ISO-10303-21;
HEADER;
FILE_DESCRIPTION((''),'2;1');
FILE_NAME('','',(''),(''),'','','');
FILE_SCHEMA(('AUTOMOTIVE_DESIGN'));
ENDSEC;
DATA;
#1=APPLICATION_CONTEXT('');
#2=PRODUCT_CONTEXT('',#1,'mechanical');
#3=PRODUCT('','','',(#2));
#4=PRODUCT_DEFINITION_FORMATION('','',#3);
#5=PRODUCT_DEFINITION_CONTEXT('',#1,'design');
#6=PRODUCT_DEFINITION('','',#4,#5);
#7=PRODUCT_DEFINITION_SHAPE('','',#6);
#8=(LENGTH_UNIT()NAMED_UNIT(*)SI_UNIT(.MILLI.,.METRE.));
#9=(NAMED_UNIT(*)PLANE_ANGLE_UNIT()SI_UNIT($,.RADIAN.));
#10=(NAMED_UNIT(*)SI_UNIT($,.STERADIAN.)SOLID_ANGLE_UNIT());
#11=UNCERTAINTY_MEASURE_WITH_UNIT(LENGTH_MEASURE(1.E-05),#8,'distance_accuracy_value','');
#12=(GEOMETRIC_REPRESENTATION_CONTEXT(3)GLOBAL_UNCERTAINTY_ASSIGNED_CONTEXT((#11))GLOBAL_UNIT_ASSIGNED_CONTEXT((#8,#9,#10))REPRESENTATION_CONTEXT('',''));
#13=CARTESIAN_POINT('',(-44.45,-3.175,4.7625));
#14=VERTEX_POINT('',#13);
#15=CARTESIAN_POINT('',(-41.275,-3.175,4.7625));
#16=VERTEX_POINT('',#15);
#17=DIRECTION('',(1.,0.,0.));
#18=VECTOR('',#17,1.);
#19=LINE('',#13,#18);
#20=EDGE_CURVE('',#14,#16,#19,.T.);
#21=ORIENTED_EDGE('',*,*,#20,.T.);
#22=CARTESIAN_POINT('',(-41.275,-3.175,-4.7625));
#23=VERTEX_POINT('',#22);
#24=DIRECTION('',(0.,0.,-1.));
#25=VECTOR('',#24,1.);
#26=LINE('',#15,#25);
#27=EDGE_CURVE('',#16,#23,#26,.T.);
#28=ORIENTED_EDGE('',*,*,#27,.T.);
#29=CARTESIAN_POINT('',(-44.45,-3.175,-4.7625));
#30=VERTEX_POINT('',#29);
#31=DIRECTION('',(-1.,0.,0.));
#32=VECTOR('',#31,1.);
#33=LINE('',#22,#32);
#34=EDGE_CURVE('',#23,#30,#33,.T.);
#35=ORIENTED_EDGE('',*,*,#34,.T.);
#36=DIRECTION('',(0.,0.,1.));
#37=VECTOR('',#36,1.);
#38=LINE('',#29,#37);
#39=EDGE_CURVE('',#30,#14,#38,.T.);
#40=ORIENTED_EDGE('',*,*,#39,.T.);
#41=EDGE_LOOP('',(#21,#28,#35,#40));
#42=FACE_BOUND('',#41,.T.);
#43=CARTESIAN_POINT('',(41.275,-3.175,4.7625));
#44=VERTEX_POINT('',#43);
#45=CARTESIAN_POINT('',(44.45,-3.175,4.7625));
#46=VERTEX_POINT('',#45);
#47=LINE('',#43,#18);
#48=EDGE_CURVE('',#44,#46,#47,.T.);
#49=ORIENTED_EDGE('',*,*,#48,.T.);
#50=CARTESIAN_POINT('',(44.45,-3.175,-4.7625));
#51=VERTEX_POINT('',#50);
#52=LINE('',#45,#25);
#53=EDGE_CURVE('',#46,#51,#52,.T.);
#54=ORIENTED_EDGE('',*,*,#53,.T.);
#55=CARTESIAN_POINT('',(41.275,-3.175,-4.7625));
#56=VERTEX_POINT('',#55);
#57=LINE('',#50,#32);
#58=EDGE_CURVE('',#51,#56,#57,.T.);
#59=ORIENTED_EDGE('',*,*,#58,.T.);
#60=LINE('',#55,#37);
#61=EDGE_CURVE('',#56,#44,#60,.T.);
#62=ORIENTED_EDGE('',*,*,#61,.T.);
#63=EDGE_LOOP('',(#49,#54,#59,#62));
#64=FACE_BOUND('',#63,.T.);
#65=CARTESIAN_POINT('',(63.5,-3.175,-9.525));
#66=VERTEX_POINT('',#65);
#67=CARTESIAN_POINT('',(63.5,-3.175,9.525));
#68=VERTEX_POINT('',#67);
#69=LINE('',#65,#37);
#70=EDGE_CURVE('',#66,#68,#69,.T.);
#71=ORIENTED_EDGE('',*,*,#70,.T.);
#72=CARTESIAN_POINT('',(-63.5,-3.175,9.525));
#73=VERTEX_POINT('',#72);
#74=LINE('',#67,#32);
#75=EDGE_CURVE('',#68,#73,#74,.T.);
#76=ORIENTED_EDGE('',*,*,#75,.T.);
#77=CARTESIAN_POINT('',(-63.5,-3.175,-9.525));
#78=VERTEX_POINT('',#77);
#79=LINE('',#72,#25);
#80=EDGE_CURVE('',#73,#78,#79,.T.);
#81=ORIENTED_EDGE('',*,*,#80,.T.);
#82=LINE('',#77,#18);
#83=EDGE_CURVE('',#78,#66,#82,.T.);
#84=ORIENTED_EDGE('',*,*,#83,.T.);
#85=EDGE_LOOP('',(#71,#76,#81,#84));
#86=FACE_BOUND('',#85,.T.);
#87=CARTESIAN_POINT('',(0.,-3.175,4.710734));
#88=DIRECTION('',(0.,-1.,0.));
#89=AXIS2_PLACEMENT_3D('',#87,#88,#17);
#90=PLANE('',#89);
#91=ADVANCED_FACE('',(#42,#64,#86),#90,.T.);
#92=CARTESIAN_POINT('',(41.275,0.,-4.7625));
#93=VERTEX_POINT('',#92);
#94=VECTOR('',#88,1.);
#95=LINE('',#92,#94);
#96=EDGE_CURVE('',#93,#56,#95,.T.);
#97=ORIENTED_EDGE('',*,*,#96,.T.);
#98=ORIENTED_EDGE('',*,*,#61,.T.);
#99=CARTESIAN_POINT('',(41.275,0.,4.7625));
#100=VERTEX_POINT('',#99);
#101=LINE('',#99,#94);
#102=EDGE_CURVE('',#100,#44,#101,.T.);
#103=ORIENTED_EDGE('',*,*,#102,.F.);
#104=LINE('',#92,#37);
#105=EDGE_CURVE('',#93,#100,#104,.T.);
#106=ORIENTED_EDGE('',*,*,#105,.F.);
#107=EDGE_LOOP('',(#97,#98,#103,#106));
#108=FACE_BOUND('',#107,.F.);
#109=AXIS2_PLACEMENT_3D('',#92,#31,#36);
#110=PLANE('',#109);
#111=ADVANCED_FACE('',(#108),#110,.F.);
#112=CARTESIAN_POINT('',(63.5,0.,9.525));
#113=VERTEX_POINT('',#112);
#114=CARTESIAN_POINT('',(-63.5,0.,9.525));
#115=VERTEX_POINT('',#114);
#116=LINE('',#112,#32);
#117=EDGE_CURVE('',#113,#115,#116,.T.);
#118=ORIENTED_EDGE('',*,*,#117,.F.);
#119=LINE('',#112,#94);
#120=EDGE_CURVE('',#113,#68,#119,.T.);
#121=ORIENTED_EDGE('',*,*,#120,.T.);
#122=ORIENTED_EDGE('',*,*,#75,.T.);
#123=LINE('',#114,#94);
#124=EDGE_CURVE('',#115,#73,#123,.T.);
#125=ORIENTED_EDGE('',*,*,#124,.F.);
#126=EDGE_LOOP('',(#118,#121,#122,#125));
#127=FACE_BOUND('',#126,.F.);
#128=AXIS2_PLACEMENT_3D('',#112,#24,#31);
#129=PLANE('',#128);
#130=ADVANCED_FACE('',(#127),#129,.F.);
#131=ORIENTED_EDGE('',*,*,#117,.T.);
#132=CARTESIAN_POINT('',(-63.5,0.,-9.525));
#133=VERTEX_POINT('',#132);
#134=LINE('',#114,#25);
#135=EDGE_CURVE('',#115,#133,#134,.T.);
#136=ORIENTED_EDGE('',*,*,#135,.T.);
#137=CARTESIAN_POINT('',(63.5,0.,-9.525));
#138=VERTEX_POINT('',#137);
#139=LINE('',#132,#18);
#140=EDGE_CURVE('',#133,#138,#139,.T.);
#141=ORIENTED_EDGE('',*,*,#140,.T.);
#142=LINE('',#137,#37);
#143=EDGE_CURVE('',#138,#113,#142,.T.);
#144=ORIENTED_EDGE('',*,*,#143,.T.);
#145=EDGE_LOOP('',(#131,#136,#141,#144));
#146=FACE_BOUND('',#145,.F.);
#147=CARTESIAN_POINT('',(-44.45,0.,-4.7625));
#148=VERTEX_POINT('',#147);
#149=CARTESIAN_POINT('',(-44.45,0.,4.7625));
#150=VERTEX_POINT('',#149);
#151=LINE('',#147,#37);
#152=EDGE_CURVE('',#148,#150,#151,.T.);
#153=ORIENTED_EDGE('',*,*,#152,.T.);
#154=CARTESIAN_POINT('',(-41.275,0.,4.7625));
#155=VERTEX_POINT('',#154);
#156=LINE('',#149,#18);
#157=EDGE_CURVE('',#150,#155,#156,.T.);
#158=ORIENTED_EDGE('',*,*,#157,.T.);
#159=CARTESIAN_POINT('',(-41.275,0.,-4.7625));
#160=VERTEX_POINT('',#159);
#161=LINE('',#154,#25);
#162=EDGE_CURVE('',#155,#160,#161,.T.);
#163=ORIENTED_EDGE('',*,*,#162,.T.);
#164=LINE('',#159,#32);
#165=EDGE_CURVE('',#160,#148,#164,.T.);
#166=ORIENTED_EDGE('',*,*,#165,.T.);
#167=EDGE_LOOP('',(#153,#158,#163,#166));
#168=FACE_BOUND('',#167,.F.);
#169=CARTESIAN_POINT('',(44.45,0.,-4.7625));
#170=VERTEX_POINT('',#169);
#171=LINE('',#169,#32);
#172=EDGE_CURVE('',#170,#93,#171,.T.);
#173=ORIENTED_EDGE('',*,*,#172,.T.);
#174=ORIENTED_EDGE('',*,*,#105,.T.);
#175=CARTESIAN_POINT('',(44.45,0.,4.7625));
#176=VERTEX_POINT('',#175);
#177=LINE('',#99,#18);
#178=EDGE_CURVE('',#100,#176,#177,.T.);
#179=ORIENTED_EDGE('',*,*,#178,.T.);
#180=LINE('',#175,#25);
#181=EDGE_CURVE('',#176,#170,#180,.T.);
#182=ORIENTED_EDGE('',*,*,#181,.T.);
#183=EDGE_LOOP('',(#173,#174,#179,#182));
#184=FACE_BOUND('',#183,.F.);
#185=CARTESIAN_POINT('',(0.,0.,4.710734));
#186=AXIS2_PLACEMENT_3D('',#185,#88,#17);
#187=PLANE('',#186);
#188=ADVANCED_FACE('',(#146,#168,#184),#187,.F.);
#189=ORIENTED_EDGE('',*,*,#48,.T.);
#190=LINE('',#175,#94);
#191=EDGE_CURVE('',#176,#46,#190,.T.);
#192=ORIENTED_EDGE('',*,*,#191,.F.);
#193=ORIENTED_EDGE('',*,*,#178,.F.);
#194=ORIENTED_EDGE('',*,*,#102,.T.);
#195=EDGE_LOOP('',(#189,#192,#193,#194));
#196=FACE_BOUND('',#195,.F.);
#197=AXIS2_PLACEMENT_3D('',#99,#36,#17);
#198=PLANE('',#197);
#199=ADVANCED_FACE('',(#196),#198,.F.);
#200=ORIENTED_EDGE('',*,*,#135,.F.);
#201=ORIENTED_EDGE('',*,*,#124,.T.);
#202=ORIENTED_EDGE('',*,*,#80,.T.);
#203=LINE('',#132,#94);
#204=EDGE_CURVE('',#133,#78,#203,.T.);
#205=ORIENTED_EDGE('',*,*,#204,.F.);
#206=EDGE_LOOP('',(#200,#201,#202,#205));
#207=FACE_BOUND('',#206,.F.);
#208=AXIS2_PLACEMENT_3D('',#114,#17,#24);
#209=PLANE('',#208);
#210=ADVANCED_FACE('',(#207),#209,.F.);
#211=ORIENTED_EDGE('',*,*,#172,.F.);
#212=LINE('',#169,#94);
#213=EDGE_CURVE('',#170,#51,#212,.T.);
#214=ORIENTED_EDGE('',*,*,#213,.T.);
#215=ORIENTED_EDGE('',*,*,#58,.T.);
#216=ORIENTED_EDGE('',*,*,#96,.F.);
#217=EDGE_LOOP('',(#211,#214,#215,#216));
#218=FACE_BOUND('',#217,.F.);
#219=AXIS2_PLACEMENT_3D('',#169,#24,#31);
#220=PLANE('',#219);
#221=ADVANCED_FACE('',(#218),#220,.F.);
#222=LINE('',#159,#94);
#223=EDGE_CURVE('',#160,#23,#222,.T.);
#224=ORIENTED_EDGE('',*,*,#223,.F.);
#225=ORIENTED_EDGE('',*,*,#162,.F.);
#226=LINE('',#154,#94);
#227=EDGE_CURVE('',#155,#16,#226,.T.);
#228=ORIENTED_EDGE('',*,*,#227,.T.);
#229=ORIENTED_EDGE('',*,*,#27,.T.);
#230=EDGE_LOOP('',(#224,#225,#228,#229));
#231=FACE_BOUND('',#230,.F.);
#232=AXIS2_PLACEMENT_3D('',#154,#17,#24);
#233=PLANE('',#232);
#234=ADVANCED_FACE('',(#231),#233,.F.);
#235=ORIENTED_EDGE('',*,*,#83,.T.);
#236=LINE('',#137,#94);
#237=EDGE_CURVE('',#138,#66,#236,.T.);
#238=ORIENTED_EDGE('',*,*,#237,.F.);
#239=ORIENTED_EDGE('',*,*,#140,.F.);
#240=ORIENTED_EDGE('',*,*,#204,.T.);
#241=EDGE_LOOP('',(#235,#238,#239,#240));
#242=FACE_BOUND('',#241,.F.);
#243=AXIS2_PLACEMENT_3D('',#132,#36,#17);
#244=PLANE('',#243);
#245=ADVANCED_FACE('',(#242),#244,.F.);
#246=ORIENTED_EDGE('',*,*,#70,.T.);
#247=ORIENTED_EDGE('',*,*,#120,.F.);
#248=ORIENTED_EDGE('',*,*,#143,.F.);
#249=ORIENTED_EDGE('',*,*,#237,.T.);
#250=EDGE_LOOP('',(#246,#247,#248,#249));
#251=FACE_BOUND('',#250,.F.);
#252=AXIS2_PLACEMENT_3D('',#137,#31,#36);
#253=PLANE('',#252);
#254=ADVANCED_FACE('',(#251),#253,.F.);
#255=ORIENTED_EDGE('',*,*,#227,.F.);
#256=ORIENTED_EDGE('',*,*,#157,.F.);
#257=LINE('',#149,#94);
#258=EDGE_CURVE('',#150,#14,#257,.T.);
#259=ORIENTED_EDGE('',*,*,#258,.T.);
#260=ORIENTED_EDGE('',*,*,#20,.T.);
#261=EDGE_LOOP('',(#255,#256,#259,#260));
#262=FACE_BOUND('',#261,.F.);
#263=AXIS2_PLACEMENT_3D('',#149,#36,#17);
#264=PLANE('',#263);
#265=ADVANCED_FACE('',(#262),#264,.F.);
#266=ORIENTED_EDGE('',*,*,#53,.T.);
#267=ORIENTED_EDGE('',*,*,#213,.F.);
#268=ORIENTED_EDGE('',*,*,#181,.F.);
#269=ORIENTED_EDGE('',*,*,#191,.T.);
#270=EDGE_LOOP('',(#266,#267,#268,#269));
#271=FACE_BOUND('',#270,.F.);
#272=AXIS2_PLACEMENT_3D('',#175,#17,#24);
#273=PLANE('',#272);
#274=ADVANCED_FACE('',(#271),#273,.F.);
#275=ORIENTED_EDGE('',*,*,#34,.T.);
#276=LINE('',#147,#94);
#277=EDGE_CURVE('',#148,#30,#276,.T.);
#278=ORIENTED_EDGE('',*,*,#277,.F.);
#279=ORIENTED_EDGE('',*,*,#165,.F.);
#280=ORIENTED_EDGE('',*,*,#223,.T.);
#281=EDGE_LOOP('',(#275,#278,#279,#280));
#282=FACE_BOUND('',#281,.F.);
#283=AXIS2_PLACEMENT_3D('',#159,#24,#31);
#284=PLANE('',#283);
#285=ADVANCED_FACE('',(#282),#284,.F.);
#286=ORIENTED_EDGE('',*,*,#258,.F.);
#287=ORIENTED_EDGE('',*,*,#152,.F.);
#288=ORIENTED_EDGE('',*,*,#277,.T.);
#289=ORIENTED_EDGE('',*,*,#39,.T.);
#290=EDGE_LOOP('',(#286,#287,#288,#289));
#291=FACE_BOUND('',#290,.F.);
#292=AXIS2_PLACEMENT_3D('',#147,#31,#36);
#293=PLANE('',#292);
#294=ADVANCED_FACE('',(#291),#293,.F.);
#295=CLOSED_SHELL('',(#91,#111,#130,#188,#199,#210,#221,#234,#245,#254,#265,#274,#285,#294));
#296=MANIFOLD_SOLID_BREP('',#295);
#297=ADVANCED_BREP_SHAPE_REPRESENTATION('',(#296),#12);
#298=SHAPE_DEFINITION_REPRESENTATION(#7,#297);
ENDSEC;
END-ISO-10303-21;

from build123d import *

# Parameters (mm, degrees)
F1_DEPTH = 3.175


with BuildPart() as f1:
    # F0 (on Front) → F1 (new body)
    with BuildSketch(Plane.XZ):
        Polygon((-63.5, 9.525), (-63.5, 0), (-44.45, 0), (-44.45, 4.7625), (-41.275, 4.7625), (-41.275, 0), (0, 0), (41.275, 0), (41.275, 4.7625), (44.45, 4.7625), (44.45, 0), (63.5, 0), (63.5, 9.525), align=None)
        Polygon((-44.45, 0), (-63.5, 0), (-63.5, -9.525), (0, -9.525), (0, 0), (-41.275, 0), (-41.275, -4.7625), (-44.45, -4.7625), align=None)
        Polygon((0, 0), (0, -9.525), (63.5, -9.525), (63.5, 0), (44.45, 0), (44.45, -4.7625), (41.275, -4.7625), (41.275, 0), align=None)
    extrude(amount=F1_DEPTH)


solid = f1.part
